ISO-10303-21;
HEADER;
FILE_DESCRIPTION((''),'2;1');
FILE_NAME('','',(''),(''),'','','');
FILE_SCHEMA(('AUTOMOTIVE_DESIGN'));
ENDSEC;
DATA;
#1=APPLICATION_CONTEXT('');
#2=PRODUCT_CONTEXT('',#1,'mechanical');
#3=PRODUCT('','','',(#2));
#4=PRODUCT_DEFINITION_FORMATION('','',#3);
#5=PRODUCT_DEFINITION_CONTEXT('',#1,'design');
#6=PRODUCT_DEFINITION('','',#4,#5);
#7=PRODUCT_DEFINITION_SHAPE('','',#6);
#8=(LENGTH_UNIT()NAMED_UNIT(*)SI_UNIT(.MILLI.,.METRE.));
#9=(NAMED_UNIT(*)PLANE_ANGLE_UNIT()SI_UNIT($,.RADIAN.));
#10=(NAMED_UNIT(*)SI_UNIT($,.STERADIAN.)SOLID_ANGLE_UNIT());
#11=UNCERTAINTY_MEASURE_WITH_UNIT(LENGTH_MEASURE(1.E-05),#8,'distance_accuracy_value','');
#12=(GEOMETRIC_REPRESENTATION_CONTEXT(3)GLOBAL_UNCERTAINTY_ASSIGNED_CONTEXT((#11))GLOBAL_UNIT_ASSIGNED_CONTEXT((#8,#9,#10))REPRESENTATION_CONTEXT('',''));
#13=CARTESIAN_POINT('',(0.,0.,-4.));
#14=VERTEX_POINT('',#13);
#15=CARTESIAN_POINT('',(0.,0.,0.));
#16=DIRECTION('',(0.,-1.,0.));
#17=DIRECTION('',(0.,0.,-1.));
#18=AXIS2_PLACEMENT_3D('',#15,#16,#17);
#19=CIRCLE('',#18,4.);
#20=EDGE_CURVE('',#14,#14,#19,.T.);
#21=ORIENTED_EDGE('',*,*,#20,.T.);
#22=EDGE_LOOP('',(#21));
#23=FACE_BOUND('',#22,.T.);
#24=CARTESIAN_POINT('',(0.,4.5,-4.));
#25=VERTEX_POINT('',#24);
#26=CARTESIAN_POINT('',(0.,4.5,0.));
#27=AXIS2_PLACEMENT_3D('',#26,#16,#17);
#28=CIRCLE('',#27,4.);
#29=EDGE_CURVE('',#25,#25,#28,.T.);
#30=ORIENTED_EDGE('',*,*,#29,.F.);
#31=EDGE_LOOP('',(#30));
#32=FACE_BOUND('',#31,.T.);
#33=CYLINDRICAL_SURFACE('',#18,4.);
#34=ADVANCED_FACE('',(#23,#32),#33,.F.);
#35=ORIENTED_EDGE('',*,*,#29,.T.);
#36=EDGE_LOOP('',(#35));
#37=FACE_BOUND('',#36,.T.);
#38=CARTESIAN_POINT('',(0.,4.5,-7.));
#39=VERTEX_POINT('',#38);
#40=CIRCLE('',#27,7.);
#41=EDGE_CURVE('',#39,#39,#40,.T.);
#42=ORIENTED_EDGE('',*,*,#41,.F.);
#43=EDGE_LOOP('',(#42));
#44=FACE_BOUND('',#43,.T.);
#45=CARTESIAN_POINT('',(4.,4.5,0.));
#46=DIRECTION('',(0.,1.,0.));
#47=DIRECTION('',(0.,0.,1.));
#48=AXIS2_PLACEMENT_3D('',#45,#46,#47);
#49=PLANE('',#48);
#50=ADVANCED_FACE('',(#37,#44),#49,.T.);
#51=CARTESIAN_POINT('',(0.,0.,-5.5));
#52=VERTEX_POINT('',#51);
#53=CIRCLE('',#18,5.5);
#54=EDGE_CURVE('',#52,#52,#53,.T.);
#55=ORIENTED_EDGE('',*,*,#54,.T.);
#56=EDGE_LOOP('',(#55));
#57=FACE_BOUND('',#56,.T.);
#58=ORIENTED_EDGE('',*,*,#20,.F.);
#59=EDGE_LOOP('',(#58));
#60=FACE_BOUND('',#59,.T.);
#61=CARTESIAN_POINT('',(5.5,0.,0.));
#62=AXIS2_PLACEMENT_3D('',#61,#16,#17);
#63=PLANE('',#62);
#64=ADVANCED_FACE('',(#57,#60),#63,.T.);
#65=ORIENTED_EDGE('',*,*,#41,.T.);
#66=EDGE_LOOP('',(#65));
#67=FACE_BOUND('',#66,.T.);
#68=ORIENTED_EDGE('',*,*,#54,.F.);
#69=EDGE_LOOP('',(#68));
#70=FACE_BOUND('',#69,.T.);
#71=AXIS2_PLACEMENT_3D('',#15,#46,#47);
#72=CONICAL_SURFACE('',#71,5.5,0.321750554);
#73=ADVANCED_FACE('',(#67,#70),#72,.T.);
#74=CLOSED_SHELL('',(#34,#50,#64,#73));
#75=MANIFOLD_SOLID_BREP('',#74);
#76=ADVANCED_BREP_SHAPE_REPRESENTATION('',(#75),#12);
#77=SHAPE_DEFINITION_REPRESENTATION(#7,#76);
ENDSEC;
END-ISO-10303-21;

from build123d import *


with BuildPart() as part:
    # Esquisse1 → Révolution1 (revolve)
    with BuildSketch(Plane.XY, mode=Mode.PRIVATE) as r_volution1_sk:
        Polygon((4, 4.5), (7, 4.5), (5.5, 0), (4, 0), align=None)
    revolve(r_volution1_sk.sketch.rotate(Axis((0, 0, 0), (0, 1, 0)), 90), axis=Axis((0, 0, 0), (0, 1, 0)))


solid = part.part
